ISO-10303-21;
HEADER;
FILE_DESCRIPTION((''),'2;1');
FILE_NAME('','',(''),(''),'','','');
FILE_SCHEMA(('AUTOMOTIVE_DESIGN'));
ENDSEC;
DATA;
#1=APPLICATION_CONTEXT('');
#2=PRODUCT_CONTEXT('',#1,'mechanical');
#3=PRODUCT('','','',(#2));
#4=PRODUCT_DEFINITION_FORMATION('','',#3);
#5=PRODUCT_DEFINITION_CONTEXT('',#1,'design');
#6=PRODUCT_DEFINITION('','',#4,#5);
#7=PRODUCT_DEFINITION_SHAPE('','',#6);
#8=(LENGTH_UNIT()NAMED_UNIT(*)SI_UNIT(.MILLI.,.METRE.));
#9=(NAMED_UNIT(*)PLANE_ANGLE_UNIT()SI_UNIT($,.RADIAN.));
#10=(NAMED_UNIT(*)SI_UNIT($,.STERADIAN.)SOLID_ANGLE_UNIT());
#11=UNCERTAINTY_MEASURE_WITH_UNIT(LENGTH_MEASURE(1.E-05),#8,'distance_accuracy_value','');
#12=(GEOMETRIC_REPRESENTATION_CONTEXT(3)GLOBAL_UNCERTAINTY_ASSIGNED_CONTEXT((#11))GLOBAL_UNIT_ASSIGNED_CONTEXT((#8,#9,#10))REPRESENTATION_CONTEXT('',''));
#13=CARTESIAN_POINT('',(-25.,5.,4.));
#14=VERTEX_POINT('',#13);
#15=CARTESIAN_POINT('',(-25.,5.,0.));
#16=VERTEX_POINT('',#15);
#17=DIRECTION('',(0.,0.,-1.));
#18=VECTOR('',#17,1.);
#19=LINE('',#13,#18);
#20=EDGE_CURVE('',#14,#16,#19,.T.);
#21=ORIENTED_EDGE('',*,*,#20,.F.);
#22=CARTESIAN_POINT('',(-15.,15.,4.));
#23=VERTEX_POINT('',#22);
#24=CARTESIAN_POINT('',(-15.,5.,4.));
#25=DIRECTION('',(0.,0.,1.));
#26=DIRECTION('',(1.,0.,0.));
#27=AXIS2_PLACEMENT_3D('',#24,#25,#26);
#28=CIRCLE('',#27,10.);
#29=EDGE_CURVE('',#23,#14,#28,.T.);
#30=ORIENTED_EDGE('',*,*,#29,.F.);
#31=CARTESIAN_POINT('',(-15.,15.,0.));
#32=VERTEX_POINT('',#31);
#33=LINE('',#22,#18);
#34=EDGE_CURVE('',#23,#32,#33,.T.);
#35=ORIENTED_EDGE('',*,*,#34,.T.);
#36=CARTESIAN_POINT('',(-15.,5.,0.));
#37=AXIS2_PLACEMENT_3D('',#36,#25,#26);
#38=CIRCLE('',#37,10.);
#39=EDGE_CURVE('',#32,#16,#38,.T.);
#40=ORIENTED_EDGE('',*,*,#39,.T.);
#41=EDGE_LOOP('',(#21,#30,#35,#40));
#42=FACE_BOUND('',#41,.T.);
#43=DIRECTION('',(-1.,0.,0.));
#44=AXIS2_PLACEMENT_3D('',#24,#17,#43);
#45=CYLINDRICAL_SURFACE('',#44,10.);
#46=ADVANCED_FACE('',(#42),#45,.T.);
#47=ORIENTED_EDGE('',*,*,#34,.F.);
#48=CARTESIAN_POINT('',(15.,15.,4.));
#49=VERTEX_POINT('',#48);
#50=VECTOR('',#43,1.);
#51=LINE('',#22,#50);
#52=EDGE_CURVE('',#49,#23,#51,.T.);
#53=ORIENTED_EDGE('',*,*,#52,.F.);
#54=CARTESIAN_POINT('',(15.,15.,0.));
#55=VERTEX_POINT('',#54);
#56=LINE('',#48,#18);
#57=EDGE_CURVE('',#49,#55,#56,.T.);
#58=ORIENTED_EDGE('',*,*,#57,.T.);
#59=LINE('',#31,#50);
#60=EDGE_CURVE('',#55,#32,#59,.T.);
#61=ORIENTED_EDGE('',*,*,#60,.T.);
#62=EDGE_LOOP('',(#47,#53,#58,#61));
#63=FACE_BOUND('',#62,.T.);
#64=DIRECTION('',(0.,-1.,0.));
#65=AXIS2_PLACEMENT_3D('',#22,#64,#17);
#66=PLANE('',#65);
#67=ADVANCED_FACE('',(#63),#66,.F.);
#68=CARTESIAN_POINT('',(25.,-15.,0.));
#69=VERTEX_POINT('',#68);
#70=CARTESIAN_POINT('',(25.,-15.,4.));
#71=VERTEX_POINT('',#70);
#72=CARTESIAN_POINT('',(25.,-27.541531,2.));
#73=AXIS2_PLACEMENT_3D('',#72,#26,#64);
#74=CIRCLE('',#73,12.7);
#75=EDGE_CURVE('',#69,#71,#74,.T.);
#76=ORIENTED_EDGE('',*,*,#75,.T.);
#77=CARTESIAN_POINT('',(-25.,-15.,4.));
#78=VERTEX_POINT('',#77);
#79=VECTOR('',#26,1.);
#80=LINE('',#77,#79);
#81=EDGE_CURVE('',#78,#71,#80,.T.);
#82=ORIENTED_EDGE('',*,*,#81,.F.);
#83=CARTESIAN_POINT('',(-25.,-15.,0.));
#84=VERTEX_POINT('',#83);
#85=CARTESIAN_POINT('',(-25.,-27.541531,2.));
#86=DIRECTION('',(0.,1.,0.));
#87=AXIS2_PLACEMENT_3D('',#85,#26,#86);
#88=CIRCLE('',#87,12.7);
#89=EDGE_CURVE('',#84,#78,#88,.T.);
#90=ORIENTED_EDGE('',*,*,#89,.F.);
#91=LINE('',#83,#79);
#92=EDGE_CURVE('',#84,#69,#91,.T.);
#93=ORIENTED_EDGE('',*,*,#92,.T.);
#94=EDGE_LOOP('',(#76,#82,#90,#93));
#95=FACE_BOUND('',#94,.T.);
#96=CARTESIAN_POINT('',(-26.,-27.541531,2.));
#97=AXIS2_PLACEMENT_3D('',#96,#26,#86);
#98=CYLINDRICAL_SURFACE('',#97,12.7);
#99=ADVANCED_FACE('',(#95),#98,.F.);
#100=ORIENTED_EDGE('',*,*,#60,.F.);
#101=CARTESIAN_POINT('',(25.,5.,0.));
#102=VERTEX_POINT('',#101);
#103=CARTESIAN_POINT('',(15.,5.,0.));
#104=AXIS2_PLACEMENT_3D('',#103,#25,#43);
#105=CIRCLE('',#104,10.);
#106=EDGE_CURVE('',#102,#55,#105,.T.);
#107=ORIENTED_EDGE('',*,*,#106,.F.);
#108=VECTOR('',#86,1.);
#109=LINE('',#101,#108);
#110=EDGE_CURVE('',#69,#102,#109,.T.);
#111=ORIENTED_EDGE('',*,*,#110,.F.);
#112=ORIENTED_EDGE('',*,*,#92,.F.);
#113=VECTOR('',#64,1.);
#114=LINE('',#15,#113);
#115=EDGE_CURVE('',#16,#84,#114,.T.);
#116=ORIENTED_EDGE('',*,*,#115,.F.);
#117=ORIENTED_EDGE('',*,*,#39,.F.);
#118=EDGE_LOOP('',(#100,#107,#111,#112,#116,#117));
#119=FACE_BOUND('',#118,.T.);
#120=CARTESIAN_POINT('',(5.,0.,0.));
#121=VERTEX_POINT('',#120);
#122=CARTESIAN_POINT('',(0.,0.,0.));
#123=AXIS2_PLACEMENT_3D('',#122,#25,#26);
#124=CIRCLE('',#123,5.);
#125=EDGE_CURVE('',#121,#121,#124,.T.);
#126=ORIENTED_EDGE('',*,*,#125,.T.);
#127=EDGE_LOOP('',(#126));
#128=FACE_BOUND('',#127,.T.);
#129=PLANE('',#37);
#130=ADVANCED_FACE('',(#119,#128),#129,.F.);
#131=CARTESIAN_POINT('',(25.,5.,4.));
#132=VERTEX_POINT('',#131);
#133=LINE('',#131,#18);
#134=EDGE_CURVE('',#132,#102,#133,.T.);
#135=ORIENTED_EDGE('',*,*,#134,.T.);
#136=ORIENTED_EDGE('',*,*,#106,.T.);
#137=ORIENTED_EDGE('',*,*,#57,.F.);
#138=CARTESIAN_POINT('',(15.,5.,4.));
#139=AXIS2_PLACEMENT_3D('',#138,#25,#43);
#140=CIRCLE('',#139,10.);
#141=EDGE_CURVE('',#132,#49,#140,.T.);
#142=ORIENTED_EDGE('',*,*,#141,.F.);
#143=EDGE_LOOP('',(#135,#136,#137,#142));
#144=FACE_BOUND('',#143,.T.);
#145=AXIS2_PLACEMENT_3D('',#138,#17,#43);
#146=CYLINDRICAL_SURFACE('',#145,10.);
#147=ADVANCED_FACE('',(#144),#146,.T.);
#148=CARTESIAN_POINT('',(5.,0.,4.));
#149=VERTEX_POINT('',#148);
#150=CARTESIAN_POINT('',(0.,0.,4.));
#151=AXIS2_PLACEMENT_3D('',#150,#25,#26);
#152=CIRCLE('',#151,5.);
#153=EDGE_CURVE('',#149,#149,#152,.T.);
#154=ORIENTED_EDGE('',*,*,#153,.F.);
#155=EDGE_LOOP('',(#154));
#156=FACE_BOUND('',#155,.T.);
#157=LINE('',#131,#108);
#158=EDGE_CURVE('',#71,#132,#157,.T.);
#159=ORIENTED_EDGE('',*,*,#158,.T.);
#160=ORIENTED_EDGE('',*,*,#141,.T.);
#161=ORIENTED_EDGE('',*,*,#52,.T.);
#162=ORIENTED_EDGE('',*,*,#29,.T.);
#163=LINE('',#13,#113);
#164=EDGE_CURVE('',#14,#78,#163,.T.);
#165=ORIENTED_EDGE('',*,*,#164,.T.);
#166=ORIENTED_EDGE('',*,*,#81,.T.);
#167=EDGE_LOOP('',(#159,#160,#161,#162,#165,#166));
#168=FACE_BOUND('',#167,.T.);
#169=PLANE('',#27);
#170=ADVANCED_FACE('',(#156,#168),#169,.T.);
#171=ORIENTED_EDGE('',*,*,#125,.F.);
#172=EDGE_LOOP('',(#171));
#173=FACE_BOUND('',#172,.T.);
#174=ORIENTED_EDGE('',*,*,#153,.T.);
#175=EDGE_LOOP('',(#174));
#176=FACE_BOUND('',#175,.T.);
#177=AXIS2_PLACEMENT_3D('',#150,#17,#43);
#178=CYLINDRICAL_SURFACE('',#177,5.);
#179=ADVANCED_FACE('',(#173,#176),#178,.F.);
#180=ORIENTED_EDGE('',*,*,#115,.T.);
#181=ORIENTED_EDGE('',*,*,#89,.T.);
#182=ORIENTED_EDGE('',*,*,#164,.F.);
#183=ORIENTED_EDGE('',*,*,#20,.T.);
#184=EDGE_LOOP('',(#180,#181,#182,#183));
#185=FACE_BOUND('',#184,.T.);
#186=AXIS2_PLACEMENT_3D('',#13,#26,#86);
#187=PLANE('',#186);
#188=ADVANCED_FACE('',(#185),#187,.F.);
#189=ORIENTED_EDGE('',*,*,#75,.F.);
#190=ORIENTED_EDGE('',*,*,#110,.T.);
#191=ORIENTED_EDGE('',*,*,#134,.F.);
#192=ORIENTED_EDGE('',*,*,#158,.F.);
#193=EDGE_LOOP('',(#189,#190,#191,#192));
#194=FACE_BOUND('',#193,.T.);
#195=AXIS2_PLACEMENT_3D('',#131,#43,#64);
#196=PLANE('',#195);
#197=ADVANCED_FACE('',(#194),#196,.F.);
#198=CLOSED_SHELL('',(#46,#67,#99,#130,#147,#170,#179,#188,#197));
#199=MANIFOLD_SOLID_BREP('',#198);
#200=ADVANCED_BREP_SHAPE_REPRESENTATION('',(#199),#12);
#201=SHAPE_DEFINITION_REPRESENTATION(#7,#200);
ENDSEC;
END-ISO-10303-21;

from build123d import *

# Parameters (mm, degrees)
SKETCH1_R           = 5
BOSS_EXTRUDE1_DEPTH = 4
CUT_EXTRUDE1_DEPTH  = 51


with BuildPart() as part:
    # Sketch1 → Boss-Extrude1 (new body)
    with BuildSketch(Plane.XY):
        with BuildLine():
            Line((-15, 15), (15, 15))
            ThreePointArc((15, 15), (22.071067812, 12.071067812), (25, 5))
            Line((25, 5), (25, -15))
            Line((25, -15), (-25, -15))
            Line((-25, -15), (-25, 5))
            ThreePointArc((-25, 5), (-22.071067812, 12.071067812), (-15, 15))
        make_face()
        Circle(SKETCH1_R, mode=Mode.SUBTRACT)
    extrude(amount=BOSS_EXTRUDE1_DEPTH)

    # Sketch2 → Cut-Extrude1 (cut)
    with BuildSketch(Plane(origin=(25, 0, 0), x_dir=(0, 0, -1), z_dir=(1, 0, 0))):
        with BuildLine():
            Line((-4, -15), (0, -15))
            ThreePointArc((0, -15), (-2, -14.841531007), (-4, -15))
        make_face()
    extrude(amount=-CUT_EXTRUDE1_DEPTH, mode=Mode.SUBTRACT)


solid = part.part
